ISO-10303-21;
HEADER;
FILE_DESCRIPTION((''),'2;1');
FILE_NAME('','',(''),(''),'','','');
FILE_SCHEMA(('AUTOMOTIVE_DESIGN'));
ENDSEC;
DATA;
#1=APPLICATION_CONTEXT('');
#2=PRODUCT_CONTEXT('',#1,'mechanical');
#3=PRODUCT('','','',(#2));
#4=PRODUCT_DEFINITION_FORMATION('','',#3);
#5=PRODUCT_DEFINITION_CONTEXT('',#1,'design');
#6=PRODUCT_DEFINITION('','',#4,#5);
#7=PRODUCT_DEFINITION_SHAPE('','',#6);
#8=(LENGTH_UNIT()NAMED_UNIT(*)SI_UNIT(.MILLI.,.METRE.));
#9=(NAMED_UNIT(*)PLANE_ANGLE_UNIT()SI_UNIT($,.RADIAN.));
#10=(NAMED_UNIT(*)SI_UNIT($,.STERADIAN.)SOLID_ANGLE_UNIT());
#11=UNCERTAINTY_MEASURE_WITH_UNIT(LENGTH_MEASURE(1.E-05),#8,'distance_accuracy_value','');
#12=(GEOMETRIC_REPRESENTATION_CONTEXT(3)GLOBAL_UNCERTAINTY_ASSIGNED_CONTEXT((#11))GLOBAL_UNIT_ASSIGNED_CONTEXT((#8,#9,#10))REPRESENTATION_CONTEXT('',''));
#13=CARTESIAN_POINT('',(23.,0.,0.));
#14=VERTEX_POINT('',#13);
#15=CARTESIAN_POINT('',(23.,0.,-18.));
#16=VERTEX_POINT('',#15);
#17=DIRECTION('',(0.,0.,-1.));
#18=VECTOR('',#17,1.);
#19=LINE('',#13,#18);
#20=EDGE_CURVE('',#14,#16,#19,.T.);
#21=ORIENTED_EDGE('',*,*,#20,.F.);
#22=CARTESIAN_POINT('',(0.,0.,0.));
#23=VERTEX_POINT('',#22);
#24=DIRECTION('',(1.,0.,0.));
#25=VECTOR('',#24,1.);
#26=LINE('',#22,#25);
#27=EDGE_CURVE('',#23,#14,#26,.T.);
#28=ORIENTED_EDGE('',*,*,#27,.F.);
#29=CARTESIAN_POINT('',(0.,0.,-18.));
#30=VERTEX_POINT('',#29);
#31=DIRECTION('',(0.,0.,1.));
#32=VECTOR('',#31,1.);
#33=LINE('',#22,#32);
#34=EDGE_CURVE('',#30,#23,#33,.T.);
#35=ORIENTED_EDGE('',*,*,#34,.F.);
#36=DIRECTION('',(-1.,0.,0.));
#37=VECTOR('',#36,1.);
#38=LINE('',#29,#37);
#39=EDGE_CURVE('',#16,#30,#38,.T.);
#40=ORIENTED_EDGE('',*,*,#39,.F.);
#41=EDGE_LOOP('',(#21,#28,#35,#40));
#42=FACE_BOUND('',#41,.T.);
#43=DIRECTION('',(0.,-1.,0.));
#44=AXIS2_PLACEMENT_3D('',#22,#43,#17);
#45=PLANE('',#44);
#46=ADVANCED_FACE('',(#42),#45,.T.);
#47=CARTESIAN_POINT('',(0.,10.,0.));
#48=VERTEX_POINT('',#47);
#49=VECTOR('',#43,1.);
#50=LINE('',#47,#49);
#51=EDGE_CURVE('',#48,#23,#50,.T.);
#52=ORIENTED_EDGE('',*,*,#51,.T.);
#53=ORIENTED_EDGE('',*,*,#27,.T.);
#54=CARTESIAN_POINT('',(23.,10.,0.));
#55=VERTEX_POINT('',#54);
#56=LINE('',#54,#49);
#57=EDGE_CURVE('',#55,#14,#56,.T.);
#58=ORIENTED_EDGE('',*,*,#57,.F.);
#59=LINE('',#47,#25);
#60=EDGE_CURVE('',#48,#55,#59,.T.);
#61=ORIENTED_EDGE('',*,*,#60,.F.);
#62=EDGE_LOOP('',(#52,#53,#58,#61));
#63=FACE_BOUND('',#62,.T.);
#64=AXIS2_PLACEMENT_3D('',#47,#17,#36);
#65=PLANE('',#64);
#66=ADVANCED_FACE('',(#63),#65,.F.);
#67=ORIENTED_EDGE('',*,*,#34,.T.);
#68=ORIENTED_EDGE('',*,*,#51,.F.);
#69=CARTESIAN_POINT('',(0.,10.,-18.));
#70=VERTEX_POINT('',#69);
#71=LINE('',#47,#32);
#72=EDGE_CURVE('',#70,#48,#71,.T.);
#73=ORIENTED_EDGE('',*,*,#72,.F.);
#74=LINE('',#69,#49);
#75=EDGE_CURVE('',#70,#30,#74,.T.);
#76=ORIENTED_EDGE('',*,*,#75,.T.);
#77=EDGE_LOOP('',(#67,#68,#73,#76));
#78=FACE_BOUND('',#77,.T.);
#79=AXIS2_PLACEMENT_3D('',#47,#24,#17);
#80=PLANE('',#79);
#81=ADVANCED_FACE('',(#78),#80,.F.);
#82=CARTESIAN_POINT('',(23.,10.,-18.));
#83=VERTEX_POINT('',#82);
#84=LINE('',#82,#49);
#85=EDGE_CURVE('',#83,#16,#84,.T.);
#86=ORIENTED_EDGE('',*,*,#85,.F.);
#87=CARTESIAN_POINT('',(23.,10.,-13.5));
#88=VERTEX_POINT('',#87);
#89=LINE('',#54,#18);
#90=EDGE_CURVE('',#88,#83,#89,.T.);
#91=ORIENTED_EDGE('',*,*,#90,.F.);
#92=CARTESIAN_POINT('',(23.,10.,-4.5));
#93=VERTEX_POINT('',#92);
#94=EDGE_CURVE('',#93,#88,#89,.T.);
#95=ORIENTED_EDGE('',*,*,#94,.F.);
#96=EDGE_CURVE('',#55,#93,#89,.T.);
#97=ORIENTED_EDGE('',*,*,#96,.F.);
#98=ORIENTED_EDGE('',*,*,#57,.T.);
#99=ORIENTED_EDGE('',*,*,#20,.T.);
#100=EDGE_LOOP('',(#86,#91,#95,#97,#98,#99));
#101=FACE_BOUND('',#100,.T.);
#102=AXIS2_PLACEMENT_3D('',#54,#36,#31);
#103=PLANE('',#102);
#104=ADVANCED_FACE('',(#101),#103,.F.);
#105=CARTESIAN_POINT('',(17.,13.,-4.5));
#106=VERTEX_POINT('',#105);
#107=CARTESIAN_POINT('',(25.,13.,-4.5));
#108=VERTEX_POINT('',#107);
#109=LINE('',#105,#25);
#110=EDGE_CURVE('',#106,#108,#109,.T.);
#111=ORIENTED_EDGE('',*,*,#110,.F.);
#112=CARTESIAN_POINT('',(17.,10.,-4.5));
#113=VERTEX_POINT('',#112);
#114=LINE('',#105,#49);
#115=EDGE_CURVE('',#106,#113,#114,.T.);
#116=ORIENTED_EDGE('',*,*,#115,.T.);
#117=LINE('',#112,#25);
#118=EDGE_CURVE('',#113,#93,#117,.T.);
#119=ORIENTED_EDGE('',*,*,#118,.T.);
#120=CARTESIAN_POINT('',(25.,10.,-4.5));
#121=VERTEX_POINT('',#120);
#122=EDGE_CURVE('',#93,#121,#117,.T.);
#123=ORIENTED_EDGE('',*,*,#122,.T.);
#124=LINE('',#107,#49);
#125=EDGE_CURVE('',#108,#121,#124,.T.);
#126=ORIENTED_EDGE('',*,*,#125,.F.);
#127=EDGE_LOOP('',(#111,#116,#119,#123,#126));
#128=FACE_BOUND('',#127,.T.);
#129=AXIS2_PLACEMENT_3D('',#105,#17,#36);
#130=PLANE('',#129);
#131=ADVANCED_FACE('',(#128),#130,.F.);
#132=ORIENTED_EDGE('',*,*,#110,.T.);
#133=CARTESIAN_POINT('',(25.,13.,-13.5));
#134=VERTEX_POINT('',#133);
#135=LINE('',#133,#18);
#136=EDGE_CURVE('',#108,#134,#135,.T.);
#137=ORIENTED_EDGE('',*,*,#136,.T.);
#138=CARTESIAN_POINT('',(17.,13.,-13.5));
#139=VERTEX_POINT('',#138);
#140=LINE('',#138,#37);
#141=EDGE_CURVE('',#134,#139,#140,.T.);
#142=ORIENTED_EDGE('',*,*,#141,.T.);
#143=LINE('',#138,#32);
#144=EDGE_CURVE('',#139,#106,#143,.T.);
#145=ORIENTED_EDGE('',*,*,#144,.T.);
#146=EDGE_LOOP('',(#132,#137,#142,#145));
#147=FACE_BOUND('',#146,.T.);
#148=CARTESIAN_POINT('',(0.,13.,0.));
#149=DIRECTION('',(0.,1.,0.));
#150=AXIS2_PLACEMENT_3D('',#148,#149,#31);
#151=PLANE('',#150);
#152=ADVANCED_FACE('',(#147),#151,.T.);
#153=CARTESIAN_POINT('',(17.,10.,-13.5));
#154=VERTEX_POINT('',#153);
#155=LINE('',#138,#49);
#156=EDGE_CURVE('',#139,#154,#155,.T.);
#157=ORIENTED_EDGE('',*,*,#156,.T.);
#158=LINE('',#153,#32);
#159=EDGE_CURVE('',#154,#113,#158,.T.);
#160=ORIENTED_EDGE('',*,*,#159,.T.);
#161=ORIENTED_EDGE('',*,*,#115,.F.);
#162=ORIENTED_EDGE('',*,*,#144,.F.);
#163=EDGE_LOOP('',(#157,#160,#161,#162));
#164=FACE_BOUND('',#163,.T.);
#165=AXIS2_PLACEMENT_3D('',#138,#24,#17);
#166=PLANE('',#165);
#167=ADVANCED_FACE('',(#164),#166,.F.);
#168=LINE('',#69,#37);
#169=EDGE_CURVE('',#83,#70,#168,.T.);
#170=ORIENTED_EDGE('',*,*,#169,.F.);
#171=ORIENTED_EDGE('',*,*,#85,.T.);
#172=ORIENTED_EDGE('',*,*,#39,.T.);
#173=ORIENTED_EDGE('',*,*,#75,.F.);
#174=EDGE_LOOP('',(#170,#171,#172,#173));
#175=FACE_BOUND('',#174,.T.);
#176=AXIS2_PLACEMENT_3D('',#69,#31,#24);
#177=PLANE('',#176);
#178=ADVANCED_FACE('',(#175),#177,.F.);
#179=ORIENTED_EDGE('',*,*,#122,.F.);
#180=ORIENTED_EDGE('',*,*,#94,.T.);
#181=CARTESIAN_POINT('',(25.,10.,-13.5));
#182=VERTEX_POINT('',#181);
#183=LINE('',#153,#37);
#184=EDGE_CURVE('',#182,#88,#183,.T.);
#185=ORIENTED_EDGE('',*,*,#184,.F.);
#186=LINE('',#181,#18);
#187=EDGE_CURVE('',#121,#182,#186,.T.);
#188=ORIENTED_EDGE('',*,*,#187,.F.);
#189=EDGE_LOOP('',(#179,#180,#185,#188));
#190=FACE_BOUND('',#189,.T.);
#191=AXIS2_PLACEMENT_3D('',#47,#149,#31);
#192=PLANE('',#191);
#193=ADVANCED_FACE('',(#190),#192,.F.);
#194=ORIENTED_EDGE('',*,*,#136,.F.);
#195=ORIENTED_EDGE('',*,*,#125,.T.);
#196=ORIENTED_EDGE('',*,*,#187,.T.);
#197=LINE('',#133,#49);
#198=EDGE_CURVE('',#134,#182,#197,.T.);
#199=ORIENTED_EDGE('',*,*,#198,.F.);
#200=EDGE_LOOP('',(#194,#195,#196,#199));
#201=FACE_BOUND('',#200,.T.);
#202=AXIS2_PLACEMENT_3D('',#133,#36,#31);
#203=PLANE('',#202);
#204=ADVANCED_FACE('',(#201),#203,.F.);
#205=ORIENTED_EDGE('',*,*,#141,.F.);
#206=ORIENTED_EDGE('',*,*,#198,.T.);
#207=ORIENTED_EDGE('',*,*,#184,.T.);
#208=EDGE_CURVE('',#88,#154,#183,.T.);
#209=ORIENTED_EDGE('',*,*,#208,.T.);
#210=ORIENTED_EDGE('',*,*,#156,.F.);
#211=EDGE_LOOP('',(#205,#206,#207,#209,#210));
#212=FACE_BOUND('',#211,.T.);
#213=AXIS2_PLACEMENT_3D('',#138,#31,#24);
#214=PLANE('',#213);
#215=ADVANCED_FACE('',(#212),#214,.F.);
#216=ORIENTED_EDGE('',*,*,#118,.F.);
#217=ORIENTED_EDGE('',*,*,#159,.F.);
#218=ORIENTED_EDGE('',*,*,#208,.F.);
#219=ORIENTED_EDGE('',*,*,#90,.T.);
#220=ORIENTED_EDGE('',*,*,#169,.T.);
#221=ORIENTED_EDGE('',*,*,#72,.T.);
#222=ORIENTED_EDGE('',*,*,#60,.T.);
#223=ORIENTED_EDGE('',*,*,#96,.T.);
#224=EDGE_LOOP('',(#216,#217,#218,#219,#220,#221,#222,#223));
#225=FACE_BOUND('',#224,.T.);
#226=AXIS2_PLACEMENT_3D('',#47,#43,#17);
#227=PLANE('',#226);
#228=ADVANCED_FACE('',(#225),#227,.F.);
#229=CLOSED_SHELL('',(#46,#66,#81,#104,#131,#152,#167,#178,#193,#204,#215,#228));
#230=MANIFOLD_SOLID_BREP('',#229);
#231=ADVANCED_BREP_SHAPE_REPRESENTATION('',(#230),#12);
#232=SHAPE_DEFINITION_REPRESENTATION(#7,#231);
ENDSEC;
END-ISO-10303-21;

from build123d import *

# Parameters (mm, degrees)
SKETCH_1_W      = 23
SKETCH_1_H      = 18
EXTRUDE_1_DEPTH = 10
SKETCH_2_W      = 8
SKETCH_2_H      = 9
EXTRUDE_2_DEPTH = 3


with BuildPart() as part:
    # 草图1 → 凸台-拉伸1 (new body)
    with BuildSketch(Plane(origin=(0, 0, 0), x_dir=(1, 0, 0), z_dir=(0, 1, 0))):
        with Locations((11.5, 9)):
            Rectangle(SKETCH_1_W, SKETCH_1_H)
    extrude(amount=EXTRUDE_1_DEPTH)

    # 草图2 → 凸台-拉伸2 (add)
    with BuildSketch(Plane(origin=(0, 10, 0), x_dir=(1, 0, 0), z_dir=(0, 1, 0))):
        with Locations((21, 9)):
            Rectangle(SKETCH_2_W, SKETCH_2_H)
    extrude(amount=EXTRUDE_2_DEPTH)


solid = part.part
